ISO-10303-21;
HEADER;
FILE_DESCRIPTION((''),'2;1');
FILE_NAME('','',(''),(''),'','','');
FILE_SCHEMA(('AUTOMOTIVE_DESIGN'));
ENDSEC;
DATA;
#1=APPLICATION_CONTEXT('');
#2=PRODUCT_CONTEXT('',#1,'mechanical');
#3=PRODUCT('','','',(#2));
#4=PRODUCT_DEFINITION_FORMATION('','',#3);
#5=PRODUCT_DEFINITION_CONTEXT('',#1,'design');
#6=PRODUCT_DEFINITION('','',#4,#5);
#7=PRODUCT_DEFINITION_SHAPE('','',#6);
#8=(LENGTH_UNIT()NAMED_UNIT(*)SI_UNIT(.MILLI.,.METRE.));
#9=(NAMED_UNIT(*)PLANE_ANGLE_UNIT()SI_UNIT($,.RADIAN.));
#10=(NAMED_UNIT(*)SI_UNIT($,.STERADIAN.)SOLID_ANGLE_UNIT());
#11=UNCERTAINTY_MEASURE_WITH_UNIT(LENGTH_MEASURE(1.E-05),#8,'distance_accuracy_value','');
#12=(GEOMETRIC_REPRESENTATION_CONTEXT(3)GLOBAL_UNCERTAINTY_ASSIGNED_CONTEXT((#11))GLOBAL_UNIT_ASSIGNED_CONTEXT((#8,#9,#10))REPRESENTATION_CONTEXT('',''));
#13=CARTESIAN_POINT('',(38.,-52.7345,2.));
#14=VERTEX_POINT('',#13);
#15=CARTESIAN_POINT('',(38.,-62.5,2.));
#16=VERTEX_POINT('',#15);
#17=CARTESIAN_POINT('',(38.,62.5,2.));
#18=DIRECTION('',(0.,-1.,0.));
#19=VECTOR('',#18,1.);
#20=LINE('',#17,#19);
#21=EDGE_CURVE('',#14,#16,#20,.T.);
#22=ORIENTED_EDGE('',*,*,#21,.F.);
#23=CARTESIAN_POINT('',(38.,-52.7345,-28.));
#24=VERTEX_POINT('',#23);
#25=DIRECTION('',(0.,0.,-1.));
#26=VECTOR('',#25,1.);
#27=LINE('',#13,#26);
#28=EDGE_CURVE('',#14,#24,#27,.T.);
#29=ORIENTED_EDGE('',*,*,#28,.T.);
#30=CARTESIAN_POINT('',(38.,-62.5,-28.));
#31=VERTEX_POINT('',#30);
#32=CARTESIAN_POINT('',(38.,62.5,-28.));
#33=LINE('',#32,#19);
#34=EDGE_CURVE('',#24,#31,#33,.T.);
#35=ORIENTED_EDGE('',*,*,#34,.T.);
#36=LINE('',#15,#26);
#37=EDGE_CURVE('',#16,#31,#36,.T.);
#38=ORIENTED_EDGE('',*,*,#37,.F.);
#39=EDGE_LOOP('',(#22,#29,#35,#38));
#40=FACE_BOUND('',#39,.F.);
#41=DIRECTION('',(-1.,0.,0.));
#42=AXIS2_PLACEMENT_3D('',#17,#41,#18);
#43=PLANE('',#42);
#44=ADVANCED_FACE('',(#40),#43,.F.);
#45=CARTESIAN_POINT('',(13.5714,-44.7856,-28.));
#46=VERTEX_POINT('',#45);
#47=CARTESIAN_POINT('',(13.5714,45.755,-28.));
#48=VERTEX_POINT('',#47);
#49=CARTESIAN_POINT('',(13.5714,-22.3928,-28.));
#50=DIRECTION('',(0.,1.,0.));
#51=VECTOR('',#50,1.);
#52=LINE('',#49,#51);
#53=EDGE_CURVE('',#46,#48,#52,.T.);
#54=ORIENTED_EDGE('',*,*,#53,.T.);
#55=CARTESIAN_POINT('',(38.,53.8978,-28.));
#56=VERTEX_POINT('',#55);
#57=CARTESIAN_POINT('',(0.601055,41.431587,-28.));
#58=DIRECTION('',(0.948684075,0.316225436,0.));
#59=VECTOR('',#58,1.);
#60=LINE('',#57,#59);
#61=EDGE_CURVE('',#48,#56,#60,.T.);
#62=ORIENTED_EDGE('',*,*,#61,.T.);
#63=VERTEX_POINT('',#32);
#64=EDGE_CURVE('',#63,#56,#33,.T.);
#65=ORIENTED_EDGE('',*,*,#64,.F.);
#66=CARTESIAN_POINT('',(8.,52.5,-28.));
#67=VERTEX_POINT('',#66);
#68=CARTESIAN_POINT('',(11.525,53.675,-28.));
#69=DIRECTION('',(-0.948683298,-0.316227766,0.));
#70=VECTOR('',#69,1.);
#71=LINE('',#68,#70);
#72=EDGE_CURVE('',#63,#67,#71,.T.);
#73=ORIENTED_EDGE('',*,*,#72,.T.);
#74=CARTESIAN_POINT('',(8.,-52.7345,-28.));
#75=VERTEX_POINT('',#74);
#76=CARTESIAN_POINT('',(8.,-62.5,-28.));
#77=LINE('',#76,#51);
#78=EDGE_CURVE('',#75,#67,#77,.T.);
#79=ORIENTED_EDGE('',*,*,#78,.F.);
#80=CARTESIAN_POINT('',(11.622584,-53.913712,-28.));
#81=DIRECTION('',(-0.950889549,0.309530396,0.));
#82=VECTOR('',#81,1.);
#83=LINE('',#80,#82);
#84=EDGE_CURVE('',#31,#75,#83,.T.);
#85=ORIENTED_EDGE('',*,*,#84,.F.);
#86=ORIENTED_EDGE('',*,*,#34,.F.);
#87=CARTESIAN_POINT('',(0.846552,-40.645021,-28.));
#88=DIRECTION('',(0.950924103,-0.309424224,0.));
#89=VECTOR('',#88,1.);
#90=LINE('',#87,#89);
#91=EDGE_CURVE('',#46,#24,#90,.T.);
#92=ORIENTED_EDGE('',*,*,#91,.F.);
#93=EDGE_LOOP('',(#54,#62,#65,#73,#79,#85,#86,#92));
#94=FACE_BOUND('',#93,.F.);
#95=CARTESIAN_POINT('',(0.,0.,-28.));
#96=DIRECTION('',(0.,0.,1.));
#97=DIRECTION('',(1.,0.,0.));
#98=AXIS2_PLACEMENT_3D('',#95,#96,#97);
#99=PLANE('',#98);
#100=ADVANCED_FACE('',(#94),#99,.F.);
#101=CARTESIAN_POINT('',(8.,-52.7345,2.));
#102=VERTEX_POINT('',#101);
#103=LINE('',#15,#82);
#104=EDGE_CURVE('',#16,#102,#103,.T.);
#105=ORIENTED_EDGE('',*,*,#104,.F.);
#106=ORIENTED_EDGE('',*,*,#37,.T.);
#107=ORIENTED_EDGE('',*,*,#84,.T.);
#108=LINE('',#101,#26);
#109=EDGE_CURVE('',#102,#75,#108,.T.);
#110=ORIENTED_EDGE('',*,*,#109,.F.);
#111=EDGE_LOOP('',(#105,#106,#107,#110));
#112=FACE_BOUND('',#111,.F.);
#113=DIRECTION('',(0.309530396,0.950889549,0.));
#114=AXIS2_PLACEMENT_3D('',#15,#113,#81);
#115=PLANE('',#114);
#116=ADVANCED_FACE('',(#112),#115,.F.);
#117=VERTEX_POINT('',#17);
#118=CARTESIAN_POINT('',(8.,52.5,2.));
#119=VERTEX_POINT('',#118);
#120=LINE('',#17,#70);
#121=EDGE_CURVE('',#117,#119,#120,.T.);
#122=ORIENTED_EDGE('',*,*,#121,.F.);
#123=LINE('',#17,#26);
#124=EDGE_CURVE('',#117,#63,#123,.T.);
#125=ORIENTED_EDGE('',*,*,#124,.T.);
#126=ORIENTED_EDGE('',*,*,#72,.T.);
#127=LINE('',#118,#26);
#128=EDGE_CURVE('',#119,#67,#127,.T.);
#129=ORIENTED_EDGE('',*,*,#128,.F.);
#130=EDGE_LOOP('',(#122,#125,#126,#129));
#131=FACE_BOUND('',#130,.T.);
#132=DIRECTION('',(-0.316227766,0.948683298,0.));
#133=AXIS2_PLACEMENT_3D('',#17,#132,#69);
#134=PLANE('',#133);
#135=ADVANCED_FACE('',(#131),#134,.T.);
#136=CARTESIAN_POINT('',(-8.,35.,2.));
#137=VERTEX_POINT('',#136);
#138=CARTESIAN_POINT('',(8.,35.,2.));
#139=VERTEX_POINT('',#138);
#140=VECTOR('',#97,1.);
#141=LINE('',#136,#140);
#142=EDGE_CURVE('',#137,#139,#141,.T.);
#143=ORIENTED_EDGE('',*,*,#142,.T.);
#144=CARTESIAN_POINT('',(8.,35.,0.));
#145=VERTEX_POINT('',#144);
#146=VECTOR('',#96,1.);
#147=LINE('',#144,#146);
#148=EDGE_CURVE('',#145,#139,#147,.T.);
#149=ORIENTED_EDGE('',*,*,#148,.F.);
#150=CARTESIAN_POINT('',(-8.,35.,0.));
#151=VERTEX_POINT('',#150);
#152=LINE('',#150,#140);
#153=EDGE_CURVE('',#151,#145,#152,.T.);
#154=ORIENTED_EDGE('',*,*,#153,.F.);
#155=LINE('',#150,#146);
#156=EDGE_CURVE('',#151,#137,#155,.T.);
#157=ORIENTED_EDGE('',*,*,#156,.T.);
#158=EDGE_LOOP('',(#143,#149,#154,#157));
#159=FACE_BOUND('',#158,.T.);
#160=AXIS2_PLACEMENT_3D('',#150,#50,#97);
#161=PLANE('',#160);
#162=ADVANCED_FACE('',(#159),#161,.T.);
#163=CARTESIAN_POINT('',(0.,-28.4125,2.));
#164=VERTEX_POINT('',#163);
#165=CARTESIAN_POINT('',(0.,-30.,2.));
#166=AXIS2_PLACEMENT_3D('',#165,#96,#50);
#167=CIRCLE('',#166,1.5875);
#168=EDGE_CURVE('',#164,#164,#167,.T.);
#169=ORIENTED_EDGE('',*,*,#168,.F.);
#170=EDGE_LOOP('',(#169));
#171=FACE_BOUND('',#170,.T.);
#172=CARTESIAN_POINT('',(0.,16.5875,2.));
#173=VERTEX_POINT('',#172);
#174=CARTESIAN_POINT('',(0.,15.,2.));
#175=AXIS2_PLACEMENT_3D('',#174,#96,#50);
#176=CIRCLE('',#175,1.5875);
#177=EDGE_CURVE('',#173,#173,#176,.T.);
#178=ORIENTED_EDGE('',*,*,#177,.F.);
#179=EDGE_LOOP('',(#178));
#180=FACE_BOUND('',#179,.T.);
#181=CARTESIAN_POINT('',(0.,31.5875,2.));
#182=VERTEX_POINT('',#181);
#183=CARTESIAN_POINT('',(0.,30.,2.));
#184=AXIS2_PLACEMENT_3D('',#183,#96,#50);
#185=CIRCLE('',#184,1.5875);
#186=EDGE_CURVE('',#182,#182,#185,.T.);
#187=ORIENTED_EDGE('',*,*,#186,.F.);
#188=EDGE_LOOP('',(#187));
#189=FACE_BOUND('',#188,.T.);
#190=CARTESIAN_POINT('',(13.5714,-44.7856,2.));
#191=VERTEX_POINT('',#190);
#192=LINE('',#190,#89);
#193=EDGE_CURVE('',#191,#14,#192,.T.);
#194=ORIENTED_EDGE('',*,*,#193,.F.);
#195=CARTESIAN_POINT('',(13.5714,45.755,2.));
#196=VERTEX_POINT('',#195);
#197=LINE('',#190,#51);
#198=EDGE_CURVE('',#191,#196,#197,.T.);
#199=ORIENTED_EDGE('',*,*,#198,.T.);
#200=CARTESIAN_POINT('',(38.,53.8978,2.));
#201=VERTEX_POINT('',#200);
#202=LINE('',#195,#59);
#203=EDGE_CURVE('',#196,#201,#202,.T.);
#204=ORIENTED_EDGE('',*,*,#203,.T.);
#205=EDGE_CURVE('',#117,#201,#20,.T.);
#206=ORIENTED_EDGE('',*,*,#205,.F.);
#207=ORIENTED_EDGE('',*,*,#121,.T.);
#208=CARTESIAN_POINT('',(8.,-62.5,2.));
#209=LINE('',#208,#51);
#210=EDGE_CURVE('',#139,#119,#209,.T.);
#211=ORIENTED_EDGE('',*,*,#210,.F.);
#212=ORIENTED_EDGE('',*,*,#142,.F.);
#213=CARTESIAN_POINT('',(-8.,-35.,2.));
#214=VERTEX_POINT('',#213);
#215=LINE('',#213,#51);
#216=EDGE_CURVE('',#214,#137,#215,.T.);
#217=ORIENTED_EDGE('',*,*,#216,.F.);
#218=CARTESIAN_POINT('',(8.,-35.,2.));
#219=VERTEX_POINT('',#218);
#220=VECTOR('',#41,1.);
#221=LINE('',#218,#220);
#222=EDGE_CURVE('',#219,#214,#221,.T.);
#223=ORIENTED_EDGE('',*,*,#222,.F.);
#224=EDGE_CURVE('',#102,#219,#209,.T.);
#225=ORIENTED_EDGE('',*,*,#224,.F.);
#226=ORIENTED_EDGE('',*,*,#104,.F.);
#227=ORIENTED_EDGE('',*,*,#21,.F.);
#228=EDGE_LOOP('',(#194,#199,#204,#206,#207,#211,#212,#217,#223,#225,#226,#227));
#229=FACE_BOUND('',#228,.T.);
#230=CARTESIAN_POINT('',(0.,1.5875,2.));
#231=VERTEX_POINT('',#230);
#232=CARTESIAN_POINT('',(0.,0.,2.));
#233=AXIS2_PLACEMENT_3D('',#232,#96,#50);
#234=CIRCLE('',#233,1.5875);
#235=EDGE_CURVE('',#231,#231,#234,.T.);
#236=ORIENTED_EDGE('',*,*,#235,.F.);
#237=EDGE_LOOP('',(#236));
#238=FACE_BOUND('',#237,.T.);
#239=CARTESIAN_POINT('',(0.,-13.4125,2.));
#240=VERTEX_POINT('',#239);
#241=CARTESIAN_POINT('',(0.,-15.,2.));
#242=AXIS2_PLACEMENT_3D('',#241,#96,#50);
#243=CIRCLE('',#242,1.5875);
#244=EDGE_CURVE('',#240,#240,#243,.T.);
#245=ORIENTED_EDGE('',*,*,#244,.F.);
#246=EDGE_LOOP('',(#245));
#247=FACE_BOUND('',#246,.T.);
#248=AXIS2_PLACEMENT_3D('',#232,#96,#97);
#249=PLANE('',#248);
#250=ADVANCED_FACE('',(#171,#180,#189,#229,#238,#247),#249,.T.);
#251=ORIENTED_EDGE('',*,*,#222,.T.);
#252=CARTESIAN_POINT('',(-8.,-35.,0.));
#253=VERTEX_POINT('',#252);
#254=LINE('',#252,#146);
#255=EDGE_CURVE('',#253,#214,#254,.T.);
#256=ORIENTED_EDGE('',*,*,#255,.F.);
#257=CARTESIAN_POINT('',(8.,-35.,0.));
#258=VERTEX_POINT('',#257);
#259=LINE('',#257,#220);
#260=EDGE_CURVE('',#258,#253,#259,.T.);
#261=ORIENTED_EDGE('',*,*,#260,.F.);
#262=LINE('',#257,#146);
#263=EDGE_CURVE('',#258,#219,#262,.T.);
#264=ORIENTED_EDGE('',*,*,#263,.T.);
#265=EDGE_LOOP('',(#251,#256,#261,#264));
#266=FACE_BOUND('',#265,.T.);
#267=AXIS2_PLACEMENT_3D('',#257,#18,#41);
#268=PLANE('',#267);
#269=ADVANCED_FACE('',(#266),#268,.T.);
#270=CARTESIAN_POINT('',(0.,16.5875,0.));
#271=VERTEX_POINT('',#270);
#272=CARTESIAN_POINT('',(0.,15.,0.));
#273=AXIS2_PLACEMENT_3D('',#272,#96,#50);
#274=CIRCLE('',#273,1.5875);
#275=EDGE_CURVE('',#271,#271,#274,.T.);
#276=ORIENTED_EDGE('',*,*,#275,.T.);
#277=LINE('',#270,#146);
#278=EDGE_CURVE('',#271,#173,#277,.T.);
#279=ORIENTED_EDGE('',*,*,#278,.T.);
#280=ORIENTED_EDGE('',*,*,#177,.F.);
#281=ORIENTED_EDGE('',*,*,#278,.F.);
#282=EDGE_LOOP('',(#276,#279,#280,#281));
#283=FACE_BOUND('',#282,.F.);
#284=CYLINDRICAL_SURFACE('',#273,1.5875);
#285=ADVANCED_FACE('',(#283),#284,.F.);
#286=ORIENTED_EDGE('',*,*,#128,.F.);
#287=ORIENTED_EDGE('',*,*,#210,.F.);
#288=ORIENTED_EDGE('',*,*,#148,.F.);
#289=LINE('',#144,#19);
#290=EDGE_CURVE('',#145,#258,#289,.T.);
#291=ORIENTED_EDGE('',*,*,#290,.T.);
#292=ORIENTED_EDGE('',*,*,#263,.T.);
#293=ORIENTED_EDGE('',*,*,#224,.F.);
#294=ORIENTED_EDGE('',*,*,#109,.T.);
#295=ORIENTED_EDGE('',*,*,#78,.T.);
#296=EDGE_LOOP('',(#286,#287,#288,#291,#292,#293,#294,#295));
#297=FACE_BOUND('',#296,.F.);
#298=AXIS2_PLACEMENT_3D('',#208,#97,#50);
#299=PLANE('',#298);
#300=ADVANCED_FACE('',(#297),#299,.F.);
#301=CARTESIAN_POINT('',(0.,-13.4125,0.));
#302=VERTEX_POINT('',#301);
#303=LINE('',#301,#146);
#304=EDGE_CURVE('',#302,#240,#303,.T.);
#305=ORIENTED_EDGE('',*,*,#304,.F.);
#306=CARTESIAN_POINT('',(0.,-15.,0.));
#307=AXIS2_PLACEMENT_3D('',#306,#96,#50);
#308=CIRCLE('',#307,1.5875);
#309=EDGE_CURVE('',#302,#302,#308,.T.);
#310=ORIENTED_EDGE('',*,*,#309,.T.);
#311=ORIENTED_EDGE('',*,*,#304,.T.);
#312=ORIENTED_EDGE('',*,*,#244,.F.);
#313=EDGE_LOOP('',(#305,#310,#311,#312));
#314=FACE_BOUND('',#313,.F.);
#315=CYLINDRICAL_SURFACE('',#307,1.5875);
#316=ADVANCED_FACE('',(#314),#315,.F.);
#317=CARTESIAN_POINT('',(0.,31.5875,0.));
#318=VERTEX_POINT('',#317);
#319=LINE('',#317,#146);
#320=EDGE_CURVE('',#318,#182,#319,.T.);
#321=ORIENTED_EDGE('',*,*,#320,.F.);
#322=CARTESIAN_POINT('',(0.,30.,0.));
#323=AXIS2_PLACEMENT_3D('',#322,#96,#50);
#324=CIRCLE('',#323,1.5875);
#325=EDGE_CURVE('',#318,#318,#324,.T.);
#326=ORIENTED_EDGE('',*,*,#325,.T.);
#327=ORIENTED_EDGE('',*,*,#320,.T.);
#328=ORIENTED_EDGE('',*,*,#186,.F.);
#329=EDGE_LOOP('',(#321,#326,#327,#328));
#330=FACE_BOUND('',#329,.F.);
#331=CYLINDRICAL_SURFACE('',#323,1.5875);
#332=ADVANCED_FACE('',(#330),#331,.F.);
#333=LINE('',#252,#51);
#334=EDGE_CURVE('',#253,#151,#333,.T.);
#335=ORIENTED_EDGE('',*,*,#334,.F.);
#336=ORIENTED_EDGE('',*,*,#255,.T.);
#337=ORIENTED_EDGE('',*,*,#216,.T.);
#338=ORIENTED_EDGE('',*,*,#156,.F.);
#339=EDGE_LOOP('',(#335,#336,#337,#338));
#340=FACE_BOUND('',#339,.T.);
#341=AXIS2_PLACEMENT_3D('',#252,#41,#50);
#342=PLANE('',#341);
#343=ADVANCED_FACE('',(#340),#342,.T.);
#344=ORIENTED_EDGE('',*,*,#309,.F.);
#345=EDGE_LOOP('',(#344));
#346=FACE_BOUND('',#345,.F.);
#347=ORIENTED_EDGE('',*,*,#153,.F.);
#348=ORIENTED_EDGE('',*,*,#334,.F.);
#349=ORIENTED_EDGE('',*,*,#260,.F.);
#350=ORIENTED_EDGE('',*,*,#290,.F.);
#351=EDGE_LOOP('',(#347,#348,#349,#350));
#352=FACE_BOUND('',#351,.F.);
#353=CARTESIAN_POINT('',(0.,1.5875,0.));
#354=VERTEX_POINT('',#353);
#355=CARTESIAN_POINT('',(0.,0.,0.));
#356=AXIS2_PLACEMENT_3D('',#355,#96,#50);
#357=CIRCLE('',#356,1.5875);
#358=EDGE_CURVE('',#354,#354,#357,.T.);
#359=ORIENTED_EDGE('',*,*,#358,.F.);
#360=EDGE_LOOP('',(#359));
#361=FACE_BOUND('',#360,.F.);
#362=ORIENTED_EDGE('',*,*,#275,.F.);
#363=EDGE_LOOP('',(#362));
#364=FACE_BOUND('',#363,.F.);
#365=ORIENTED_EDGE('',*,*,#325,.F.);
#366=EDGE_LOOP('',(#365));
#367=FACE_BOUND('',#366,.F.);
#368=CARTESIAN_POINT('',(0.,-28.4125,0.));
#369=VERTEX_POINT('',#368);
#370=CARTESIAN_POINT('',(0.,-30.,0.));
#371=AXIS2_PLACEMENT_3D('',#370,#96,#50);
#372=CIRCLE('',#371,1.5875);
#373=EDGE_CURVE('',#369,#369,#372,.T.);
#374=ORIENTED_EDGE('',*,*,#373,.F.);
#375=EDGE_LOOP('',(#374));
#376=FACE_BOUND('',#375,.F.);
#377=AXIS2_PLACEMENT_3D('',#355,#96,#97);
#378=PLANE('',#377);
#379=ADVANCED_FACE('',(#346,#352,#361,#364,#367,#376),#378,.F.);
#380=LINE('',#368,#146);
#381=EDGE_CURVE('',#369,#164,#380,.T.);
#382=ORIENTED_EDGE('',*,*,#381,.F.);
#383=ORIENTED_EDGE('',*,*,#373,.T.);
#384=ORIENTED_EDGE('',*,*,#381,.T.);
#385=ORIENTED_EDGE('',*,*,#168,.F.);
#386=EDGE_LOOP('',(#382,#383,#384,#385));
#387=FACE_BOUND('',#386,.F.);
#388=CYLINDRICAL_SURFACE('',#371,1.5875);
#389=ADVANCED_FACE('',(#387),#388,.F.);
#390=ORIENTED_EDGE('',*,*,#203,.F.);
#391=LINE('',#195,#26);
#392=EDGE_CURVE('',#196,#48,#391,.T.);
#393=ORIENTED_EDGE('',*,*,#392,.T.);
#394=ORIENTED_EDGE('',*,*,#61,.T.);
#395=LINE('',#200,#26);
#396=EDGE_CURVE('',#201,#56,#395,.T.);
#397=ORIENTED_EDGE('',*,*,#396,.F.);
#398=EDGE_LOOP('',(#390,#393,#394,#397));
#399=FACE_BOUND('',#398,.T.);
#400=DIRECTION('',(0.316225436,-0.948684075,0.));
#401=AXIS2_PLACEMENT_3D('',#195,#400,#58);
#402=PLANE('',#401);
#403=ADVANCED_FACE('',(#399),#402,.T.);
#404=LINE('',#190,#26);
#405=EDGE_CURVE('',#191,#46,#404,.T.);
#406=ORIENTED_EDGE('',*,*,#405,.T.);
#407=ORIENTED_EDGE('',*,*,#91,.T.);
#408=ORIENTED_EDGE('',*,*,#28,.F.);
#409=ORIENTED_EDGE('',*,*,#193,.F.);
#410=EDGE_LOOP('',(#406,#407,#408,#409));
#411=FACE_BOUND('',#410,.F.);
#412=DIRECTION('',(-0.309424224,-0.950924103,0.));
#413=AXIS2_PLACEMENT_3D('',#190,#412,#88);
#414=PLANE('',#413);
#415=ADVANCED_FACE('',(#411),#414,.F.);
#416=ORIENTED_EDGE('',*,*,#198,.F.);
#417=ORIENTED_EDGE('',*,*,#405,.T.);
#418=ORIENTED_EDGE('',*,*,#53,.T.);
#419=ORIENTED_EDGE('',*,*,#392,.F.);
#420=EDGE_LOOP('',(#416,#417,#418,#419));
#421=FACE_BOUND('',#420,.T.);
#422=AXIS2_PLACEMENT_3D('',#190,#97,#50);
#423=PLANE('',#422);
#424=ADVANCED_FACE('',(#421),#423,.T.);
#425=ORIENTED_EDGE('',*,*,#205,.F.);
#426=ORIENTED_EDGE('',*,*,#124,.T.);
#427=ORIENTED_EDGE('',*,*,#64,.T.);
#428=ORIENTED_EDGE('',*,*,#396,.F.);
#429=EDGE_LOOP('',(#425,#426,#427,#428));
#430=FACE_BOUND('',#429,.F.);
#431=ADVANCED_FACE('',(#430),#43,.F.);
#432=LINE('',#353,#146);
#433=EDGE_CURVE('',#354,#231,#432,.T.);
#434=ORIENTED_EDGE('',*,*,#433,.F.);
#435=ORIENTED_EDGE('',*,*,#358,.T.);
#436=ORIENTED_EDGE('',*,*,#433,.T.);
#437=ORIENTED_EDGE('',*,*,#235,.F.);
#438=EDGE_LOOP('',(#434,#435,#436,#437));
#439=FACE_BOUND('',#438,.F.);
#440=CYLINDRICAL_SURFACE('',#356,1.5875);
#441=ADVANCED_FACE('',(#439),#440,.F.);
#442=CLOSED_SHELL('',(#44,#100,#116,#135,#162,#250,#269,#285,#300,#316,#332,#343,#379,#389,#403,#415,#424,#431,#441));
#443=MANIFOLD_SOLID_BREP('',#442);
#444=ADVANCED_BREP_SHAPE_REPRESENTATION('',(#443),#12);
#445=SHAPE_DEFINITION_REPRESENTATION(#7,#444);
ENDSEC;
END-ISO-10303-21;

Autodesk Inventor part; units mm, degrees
ref_plane "YZ Plane" through (0, 0, 0) normal (1, 0, 0) x (0, 1, 0)
ref_plane "XZ Plane" through (0, 0, 0) normal (0, 1, 0) x (-1, 0, 0)
ref_plane "XY Plane" through (0, 0, 0) normal (0, 0, 1) x (1, 0, 0)
sketch "Boceto1" plane through (0, 0, 0) normal (0, 0, 1) x (1, 0, 0)
  line L0 (-8, 35) -> (8, 35)
  line L1 (8, 35) -> (8, -35)
  line L2 (8, -35) -> (-8, -35)
  line L3 (-8, -35) -> (-8, 35)
  line L4 (-8, 35) -> (8, -35) construction
  line L5 (8, 35) -> (-8, -35) construction
  point P0 (0, 0)
  dimension "d0" = 16
  dimension "d1" = 70
extrude "Extrusión1" add sketch "Boceto1" along normal blind 2
sketch "Boceto2" plane through (0, 0, 2) normal (0, 0, 1) x (1, 0, 0)
  line L0 (38, -62.5) -> (8, -62.5)
  line L1 (8, -62.5) -> (8, 62.5)
  line L2 (8, 62.5) -> (38, 62.5)
  line L3 (38, 62.5) -> (38, -62.5)
  line L4 (38, -62.5) -> (8, 62.5) construction
  line L5 (8, -62.5) -> (38, 62.5) construction
  point P0 (0, 0)
  point P1 (23, 0)
  dimension "d4" = 30
  dimension "d5" = 125
extrude "Extrusión2" add sketch "Boceto2" against normal blind 30
sketch "Boceto3" plane through (0, 0, 2) normal (0, 0, 1) x (1, 0, 0)
  line L0 (38, 62.5) -> (38, -62.5) projected
  line L1 (13.5714, -44.7856) -> (13.5714, 45.755)
  line L2 (38, 45.755) -> (38, -44.7856)
  line L3 (13.5714, -44.7856) -> (38, -52.7345)
  line L4 (38, -52.7345) -> (38, -44.7856)
  line L5 (13.5714, 45.755) -> (38, 53.8978)
  line L6 (38, 45.755) -> (38, 53.8978)
  line L7 (8, -62.5) -> (8, -35) projected
  line L8 (38, -62.5) -> (8, -62.5) projected
  line L9 (8, -62.5) -> (38, -62.5)
  line L10 (38, -62.5) -> (8, -52.7345)
  line L11 (8, -52.7345) -> (8, -62.5)
  line L12 (8, -62.5) -> (8, 62.5) projected
  line L13 (8, 62.5) -> (38, 62.5)
  line L14 (38, 62.5) -> (8, 52.5)
  line L15 (8, 62.5) -> (38, 62.5) projected
  line L16 (8, 52.5) -> (8, 62.5)
  point P0 (0, 0)
extrude "Extrusión3" cut sketch "Boceto3" against normal through all contours L14 L12 L13 | L0 L3 L1 L5 | L10 L8 L7
sketch "Boceto4" plane through (0, 0, 0) normal (0, 0, -1) x (-1, 0, 0)
  point P0 (0, 0)
  point P1 (0, 0)
  point P2 (0, 15)
  point P3 (0, 30)
  point P4 (0, -15)
  point P5 (0, -30)
hole "Agujero1" at (0, 0, 0) at (0, 15, 0) at (0, 30, 0) at (0, -15, 0) at (0, -30, 0) direction (0, 0, 1) diameter 3.175 end through all
properties part number "Pala"
